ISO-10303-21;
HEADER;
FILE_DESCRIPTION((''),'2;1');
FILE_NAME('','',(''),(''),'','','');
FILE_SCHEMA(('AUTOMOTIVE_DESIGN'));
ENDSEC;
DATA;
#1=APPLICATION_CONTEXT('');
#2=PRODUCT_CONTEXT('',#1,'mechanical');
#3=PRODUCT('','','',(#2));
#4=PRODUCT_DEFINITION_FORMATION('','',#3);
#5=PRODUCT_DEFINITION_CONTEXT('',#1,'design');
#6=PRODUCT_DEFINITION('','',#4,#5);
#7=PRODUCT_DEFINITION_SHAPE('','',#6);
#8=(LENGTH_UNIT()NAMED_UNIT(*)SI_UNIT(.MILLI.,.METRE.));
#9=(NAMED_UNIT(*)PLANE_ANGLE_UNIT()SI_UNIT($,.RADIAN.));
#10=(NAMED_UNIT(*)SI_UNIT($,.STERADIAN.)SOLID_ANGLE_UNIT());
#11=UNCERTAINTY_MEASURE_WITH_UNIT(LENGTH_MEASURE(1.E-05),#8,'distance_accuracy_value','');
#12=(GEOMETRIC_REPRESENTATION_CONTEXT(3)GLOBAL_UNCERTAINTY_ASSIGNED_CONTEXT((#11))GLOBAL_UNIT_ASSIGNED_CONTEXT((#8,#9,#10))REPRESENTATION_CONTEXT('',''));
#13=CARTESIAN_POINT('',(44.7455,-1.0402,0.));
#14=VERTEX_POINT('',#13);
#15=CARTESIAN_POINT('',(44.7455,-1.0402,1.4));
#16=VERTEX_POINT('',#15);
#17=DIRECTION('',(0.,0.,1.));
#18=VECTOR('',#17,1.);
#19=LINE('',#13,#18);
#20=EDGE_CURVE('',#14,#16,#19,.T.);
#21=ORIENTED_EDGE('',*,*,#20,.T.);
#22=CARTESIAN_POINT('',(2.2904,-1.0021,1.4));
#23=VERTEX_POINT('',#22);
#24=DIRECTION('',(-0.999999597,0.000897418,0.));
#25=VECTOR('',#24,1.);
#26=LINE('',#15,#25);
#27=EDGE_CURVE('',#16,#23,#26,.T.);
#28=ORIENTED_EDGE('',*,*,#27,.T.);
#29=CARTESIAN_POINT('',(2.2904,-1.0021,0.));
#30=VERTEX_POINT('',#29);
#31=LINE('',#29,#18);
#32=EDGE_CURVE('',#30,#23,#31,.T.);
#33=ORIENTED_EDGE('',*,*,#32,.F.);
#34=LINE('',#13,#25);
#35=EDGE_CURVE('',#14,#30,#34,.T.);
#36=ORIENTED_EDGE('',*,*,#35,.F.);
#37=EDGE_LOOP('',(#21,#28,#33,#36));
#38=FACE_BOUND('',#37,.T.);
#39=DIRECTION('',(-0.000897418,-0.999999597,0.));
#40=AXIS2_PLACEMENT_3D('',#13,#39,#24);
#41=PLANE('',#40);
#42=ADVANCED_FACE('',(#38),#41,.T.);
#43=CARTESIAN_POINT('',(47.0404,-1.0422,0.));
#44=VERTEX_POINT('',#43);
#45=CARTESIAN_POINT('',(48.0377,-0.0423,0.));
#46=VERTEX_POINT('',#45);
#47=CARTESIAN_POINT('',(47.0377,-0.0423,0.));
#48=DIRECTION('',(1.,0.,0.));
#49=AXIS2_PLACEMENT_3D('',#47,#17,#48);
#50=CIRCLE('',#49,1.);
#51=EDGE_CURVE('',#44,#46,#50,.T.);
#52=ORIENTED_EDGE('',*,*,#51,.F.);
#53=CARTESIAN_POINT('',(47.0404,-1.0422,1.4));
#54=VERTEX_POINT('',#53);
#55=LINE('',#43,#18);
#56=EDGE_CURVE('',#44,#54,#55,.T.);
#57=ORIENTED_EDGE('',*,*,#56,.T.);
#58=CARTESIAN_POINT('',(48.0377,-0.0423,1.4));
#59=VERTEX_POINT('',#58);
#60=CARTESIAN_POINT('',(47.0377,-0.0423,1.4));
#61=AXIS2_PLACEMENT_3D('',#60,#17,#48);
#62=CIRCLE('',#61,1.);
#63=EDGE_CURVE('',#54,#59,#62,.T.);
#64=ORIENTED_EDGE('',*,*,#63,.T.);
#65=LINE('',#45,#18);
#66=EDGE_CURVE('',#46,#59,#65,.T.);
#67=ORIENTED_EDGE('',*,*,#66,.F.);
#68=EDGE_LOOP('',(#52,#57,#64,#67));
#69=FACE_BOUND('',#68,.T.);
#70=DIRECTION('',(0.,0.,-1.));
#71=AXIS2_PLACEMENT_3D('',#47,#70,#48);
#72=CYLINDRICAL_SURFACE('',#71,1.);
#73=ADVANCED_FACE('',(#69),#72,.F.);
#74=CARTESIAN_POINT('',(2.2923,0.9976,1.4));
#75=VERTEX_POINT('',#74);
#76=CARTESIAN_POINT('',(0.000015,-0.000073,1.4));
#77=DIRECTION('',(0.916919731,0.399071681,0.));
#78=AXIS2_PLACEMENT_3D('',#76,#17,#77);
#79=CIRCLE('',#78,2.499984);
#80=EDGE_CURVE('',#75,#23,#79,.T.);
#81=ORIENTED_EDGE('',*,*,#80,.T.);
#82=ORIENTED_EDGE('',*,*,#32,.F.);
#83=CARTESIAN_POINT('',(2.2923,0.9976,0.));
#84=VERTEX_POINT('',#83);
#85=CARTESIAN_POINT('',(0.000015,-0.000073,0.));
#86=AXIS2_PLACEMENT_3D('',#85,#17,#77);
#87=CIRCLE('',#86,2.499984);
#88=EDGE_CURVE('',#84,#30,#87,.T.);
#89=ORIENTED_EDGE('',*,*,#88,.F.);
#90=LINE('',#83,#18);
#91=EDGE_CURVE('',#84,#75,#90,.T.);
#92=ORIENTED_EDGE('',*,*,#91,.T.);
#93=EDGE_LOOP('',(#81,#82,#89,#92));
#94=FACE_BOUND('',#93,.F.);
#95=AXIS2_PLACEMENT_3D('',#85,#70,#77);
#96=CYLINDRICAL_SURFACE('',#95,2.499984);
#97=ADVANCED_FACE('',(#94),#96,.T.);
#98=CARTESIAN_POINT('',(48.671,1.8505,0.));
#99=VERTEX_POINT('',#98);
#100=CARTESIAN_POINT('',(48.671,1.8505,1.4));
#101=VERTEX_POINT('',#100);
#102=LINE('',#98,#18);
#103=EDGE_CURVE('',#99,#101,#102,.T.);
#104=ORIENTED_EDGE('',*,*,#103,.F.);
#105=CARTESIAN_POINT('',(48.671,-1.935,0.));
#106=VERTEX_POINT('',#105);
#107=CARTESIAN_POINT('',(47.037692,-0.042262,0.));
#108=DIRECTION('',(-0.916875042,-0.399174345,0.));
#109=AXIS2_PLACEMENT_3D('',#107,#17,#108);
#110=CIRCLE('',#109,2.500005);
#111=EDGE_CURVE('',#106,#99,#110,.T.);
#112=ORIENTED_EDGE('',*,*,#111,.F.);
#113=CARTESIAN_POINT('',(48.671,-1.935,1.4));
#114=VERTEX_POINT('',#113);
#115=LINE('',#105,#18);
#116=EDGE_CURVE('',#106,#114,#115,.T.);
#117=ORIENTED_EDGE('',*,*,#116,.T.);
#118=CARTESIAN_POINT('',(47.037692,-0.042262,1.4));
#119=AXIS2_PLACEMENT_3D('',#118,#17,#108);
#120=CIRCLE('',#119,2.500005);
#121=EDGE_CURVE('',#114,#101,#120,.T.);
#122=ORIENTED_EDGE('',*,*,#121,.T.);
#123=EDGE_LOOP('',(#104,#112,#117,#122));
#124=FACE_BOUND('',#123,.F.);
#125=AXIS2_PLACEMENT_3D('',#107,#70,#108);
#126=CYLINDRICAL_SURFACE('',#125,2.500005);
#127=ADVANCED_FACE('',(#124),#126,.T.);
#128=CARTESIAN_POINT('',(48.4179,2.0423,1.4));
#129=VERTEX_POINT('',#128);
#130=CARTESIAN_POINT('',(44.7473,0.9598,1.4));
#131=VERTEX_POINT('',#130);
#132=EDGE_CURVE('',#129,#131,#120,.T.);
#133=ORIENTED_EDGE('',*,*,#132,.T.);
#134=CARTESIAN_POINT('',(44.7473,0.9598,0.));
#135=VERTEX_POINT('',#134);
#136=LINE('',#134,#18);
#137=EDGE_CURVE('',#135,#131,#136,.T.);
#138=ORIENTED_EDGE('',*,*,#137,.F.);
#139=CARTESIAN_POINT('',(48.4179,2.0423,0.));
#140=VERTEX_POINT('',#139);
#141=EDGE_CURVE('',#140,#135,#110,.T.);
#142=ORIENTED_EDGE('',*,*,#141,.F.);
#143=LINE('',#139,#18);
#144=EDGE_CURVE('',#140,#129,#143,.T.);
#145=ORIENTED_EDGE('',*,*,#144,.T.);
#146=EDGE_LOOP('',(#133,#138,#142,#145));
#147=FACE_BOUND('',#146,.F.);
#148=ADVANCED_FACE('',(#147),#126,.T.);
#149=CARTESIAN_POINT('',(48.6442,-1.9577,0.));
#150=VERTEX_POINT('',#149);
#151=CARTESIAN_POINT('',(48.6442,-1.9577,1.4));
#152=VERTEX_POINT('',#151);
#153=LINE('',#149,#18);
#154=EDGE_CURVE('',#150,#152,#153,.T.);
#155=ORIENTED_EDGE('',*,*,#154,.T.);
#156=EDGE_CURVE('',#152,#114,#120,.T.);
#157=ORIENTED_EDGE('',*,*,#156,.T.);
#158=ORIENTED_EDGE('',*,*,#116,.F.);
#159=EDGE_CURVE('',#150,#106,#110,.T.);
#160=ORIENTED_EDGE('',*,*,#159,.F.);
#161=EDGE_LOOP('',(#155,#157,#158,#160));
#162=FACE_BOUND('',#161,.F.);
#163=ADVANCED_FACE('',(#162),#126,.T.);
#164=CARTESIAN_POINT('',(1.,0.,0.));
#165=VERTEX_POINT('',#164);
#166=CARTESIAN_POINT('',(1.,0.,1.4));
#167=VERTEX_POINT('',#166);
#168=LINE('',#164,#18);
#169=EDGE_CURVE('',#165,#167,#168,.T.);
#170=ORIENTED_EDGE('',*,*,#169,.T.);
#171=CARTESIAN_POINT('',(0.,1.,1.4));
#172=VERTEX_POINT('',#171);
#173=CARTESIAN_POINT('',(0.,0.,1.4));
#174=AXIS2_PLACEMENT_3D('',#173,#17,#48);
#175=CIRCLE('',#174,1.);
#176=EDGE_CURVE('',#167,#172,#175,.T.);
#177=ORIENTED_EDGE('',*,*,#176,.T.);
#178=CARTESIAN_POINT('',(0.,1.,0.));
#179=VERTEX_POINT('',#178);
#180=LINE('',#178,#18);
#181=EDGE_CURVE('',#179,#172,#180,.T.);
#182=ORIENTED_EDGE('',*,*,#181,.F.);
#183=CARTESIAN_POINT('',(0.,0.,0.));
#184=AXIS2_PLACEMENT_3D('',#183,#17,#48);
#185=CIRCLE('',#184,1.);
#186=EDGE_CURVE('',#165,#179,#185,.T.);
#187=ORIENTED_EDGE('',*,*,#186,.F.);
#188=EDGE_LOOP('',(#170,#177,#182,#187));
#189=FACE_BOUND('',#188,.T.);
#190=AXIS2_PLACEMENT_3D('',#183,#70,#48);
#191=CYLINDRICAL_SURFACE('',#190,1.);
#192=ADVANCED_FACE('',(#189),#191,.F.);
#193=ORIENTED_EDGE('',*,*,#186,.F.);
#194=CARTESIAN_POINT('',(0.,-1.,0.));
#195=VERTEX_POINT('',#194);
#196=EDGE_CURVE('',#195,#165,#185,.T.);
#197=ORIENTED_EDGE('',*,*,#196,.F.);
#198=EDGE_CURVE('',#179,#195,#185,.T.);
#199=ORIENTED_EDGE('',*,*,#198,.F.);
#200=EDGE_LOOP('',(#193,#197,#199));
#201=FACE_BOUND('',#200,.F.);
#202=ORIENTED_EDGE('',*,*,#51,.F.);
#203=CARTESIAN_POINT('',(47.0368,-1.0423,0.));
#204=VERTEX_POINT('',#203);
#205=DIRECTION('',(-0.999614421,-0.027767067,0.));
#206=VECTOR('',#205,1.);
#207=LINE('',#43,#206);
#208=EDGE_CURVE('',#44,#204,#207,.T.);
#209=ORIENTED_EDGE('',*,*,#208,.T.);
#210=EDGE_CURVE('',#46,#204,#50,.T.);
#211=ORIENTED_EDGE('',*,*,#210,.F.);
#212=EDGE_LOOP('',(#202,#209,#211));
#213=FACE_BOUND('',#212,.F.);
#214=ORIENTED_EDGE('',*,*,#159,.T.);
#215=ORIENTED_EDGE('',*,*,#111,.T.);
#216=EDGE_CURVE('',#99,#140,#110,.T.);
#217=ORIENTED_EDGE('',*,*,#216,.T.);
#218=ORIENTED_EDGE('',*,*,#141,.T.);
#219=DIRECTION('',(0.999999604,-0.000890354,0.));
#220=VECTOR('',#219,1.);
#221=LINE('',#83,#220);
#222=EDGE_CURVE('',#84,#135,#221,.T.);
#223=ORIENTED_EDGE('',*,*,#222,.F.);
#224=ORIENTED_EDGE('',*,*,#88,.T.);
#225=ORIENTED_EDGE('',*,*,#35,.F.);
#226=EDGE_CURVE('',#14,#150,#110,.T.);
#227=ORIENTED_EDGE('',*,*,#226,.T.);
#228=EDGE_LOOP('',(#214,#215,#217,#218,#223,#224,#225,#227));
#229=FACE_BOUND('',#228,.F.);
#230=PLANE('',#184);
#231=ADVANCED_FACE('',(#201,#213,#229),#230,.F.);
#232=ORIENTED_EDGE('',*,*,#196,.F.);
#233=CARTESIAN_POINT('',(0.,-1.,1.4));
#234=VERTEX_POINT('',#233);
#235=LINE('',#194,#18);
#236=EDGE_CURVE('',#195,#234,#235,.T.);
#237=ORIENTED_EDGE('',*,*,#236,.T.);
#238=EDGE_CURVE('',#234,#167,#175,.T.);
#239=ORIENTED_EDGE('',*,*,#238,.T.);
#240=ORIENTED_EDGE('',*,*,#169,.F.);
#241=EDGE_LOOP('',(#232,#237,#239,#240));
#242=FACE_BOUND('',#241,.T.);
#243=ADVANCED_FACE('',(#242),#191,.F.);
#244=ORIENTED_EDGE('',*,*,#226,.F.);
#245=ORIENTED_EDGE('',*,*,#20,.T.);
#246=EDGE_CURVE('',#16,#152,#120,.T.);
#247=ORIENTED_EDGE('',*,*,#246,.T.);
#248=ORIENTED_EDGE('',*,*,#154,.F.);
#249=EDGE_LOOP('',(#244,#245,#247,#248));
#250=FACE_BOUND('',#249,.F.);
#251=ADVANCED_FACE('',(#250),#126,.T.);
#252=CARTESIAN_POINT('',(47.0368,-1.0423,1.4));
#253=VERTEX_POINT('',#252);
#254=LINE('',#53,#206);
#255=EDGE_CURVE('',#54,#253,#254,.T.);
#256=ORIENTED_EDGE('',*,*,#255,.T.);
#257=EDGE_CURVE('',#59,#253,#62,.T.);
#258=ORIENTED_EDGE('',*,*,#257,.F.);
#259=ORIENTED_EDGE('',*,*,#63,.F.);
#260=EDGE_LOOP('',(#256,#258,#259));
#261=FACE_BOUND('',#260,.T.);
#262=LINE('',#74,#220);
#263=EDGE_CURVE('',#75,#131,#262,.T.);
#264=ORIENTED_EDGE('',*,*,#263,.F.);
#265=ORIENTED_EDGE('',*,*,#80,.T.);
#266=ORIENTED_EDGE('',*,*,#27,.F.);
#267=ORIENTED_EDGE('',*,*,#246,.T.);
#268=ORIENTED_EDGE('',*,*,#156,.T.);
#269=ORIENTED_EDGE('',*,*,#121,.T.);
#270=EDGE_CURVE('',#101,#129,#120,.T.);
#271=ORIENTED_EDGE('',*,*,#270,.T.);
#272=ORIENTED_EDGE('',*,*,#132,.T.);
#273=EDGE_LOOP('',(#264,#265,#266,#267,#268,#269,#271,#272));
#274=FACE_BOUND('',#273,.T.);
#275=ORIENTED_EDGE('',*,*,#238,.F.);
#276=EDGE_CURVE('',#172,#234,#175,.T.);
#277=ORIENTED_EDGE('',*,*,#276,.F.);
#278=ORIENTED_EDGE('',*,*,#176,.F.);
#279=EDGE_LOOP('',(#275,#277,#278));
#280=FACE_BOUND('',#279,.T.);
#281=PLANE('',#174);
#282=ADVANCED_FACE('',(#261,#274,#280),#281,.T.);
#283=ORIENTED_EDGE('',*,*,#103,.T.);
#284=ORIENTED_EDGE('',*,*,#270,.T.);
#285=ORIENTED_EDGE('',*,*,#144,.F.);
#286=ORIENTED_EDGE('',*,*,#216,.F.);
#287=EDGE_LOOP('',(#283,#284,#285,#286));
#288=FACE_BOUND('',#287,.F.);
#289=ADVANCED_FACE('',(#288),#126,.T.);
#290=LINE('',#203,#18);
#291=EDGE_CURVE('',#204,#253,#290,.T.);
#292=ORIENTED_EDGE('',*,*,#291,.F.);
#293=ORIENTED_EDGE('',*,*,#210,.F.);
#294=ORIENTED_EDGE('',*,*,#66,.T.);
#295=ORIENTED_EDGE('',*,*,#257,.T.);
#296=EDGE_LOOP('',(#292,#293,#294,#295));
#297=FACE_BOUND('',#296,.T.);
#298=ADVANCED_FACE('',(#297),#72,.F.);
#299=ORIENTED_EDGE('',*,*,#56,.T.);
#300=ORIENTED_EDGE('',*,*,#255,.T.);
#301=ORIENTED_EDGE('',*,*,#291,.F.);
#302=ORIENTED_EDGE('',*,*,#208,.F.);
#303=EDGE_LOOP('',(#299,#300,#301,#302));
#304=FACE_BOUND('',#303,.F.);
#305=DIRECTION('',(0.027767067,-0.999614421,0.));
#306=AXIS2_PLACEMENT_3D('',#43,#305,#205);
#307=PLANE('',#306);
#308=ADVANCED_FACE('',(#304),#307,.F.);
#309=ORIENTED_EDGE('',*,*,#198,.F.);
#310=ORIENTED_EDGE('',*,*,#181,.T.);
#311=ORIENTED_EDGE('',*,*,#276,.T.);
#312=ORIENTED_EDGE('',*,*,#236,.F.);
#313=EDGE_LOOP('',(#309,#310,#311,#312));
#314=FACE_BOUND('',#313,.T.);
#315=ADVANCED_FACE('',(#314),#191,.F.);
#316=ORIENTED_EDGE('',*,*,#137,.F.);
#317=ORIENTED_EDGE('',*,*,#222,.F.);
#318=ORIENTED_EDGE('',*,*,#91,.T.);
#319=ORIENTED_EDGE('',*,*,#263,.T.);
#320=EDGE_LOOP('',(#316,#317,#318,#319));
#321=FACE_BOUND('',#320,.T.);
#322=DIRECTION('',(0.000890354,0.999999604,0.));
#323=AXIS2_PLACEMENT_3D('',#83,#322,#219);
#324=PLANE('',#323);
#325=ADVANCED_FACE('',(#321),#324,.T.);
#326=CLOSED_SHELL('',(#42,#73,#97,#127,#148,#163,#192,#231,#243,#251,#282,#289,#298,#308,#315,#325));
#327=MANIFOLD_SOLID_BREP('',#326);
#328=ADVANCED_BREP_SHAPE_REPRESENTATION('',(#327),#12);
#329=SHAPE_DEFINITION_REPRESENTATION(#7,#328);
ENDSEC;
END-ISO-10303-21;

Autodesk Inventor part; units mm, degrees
ref_plane "YZ Plane" through (0, 0, 0) normal (1, 0, 0) x (0, 1, 0)
ref_plane "XZ Plane" through (0, 0, 0) normal (0, 1, 0) x (-1, 0, 0)
ref_plane "XY Plane" through (0, 0, 0) normal (0, 0, 1) x (1, 0, 0)
sketch "Sketch1" plane through (0, 0, 0) normal (0, 0, 1) x (1, 0, 0)
  circle A0 centre (0, 0) radius 1
  circle A1 centre (47.0377, -0.0423) radius 1
  arc A2 (2.2923, 0.9976) -> (2.2904, -1.0021) centre (0, 0) ccw
  arc A3 (44.7455, -1.0402) -> (44.7473, 0.9598) centre (47.0377, -0.0423) ccw
  line L0 (0, -2) -> (0, 1)
  line L1 (48.4179, 2.0423) -> (48.671, 2.0423)
  line L2 (48.671, -1.9577) -> (48.6442, -1.9577)
  line L3 (48.671, 2.0423) -> (48.671, 1.8505)
  line L4 (48.671, -1.935) -> (48.671, -1.9577)
  line L5 (0, 1) -> (0.0018, 1)
  line L6 (2.2923, 0.9976) -> (44.7473, 0.9598)
  line L7 (47.0404, -1.0422) -> (47.0368, -1.0423)
  line L8 (44.7455, -1.0402) -> (2.2904, -1.0021)
  dimension "d0" = 2
  dimension "d1" = 2
  dimension "d2" = 5
  dimension "d3" = 5
  dimension "d5" = 4
extrude "Extrusion1" add sketch "Sketch1" along normal blind 1.4 contours L6 A3 L8 A2
sketch "Sketch2" plane through (0, 0, 0) normal (0, 0, -1) x (-1, 0, 0)
  point P0 (0, 0)
properties part number "Restrain_Pin_1"
